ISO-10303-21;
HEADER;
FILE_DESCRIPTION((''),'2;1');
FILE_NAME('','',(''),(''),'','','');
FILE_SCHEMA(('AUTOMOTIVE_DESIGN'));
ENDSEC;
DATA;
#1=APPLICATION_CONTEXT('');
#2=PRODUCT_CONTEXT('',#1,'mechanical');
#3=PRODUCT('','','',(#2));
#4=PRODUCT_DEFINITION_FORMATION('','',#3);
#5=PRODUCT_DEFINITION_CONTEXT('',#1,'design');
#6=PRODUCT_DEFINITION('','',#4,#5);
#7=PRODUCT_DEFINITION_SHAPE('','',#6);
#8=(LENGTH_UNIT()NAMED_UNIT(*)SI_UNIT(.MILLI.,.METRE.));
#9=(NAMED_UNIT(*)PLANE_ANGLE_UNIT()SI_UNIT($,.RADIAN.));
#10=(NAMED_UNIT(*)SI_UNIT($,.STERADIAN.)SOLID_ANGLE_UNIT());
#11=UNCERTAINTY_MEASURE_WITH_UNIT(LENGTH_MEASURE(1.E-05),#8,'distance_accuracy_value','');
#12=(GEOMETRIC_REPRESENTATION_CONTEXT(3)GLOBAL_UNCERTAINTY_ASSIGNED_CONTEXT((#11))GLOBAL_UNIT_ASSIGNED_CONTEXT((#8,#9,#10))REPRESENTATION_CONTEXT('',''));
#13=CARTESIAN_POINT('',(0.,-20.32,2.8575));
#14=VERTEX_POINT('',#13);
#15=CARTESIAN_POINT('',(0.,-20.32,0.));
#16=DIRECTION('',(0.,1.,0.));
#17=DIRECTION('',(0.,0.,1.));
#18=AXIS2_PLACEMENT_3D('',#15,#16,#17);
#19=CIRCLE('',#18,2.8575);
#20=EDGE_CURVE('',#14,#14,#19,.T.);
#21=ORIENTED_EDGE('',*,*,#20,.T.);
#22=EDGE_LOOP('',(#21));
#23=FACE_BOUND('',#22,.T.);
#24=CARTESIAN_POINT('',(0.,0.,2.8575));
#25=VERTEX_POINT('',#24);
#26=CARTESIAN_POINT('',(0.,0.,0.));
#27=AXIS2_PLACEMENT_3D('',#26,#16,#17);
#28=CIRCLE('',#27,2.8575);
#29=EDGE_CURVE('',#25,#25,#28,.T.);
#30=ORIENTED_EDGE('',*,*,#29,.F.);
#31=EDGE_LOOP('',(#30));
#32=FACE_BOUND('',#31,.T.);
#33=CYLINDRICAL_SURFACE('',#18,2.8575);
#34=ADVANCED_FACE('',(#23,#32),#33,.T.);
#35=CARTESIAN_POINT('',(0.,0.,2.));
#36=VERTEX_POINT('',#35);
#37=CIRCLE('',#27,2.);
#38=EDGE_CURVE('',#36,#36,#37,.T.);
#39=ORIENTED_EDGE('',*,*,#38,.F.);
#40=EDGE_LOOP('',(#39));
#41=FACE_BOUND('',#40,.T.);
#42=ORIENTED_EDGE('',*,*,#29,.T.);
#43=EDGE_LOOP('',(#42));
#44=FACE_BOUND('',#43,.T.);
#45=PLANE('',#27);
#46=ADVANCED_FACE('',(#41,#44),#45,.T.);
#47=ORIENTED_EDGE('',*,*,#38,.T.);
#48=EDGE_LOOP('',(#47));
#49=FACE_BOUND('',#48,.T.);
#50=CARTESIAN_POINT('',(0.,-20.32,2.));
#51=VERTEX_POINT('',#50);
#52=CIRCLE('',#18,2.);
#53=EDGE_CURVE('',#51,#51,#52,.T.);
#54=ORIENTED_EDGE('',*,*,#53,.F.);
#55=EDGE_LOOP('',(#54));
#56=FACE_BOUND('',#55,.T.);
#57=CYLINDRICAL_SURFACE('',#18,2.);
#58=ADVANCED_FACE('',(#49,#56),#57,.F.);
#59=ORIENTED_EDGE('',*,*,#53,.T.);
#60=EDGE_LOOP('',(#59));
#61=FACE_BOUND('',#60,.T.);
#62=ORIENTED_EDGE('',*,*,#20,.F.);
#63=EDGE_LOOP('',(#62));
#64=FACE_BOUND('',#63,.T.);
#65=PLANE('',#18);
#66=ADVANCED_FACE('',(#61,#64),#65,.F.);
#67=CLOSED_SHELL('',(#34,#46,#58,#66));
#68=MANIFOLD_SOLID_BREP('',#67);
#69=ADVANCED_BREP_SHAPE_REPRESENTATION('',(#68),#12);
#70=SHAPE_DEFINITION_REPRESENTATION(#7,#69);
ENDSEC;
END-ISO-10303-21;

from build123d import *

# Parameters (mm, degrees)
SKETCH1_R           = 2.8575
SKETCH1_R_2         = 2
BOSS_EXTRUDE1_DEPTH = 20.32


with BuildPart() as part:
    # Sketch1 → Boss-Extrude1 (new body)
    with BuildSketch(Plane(origin=(0, 0, 0), x_dir=(1, 0, 0), z_dir=(0, 1, 0))):
        with Locations(Location((0, 0, 0), (0, 0, 270))):
            Circle(SKETCH1_R)
        with Locations(Location((0, 0, 0), (0, 0, 270))):
            Circle(SKETCH1_R_2, mode=Mode.SUBTRACT)
    extrude(amount=-BOSS_EXTRUDE1_DEPTH)


solid = part.part
